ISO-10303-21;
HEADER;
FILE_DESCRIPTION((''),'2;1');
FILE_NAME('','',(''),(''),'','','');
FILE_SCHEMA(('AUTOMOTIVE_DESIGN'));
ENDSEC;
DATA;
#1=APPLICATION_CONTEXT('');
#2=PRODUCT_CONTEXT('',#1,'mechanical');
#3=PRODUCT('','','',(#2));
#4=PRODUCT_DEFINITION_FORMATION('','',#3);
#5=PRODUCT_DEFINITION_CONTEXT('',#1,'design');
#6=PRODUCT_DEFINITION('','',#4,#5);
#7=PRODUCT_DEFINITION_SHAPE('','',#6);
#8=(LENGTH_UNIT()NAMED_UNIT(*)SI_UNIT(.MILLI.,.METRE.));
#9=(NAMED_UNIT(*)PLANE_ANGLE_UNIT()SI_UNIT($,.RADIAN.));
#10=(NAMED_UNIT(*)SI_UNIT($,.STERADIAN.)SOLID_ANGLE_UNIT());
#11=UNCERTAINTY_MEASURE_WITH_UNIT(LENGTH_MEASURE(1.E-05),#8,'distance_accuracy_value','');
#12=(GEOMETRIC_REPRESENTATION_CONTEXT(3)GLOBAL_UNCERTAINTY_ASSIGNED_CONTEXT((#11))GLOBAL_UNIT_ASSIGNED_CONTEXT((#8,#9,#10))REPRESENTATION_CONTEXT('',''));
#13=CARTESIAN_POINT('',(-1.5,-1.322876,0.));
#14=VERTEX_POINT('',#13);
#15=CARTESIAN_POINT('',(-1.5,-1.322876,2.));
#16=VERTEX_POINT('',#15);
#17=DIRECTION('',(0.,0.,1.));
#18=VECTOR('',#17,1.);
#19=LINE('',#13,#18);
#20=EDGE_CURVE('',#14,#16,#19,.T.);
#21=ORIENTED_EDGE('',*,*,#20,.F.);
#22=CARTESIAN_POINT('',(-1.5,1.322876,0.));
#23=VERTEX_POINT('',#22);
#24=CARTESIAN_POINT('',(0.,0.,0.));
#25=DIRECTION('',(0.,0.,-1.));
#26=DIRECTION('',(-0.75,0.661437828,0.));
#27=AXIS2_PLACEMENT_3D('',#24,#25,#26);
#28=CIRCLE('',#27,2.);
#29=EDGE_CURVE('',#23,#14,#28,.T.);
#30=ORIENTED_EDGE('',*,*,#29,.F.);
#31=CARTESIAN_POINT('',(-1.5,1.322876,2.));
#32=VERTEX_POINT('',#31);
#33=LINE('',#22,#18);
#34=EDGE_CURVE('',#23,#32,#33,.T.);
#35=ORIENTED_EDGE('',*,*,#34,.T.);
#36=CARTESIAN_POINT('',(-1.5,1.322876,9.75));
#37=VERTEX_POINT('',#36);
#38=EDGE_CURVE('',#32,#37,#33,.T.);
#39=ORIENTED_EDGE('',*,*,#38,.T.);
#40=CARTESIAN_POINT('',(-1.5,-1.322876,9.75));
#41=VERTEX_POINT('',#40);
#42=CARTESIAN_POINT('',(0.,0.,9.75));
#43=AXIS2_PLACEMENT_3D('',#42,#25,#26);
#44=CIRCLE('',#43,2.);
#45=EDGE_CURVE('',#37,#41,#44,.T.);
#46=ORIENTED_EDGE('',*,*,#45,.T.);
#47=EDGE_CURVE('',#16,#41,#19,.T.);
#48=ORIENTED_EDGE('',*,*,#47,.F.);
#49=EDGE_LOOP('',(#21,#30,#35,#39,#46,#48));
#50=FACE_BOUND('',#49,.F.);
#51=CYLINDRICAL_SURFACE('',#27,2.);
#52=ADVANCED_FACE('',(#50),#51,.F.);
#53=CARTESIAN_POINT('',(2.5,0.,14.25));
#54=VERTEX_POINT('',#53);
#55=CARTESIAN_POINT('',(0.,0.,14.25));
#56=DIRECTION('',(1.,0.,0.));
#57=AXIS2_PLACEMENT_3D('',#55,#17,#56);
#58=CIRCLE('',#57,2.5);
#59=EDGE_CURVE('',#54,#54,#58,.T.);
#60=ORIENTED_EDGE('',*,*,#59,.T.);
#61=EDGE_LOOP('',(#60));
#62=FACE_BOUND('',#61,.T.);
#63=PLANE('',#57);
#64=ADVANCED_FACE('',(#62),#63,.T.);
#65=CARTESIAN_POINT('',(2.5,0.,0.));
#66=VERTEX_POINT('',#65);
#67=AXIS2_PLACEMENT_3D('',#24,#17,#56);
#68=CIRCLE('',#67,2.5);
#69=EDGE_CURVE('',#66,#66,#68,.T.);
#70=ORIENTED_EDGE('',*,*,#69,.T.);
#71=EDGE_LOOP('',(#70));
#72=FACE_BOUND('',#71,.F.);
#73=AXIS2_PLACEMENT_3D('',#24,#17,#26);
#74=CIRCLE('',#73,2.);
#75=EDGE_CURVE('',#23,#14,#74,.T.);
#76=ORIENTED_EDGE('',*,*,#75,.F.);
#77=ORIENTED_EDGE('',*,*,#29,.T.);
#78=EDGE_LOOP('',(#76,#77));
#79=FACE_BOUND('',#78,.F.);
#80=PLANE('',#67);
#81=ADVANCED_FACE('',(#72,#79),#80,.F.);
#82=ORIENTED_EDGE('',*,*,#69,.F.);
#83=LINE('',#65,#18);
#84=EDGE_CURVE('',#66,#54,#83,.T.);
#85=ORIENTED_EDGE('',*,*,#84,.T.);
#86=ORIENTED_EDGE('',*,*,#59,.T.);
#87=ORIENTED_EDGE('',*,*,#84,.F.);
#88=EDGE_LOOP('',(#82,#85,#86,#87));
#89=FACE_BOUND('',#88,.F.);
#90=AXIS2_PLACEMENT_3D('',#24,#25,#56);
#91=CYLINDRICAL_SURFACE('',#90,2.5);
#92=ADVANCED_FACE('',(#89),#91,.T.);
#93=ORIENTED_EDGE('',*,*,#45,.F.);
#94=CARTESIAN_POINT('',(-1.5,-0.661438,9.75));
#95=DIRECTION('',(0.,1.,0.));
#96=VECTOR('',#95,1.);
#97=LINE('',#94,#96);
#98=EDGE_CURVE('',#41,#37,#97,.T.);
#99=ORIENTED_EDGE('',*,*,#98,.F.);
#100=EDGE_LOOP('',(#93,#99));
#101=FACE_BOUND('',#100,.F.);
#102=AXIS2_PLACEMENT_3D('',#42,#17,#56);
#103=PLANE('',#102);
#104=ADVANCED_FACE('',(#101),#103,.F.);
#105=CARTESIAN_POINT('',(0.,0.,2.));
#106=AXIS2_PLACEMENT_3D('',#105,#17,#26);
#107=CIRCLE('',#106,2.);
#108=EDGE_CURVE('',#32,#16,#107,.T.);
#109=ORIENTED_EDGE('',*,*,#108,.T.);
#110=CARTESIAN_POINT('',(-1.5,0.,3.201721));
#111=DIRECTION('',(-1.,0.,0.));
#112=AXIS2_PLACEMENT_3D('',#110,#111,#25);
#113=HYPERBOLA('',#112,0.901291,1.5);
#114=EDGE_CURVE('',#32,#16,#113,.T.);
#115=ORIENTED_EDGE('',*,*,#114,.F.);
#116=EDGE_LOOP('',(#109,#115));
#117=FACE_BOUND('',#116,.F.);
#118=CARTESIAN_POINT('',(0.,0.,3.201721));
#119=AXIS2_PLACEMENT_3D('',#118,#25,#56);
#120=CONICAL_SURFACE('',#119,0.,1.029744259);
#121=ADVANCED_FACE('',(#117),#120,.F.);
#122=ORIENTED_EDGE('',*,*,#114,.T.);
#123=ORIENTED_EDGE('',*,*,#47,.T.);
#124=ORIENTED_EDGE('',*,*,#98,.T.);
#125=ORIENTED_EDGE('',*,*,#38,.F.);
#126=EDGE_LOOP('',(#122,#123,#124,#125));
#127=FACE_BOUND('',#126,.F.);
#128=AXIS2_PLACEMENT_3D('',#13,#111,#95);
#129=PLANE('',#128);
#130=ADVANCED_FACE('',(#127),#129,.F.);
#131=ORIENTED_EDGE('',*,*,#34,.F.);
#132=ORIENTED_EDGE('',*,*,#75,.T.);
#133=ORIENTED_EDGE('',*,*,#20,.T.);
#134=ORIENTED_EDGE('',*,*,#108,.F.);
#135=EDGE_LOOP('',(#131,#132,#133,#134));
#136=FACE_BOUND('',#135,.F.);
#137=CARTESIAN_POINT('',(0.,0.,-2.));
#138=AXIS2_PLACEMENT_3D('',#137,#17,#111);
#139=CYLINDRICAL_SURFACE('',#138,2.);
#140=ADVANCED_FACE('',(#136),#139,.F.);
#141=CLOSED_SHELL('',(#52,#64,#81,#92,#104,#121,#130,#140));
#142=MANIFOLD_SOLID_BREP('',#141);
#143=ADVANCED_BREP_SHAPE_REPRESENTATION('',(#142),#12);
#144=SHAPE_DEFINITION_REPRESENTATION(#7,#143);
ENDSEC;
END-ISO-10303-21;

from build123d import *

# Parameters (mm, degrees)
F0_R     = 2.5
F1_DEPTH = 14.25
F3_D     = 4
F3_DEPTH = 2
F3_TIP   = 1.2017212381
F4_R     = 2.1505871319
F5_DEPTH = 4.5


with BuildPart() as f1:
    # F0 (on Top) → F1 (new body)
    with BuildSketch(Plane.XY):
        Circle(F0_R)
        with BuildLine():
            ThreePointArc((-1.5, 1.3228756555), (2, 0), (-1.5, -1.3228756555))
            Line((-1.5, -1.3228756555), (-1.5, 1.3228756555))
        make_face(mode=Mode.SUBTRACT)
    extrude(amount=F1_DEPTH)

    # F3
    with Locations(Plane(origin=(0, 0, 0), x_dir=(1, 0, 0), z_dir=(0, 0, -1))):
        with Locations((0, 0)):
            Hole(F3_D / 2, depth=F3_DEPTH)
            with Locations((0, 0, -(F3_DEPTH + F3_TIP / 2))):  # 118° drill point
                Cone(0, F3_D / 2, F3_TIP, mode=Mode.SUBTRACT)

    # F4 (on face) → F5 (join)
    with BuildSketch(Plane.XY.offset(14.25)):
        Circle(F4_R)
        with BuildLine():
            Line((-1.5, -1.3228756555), (-1.5, 1.3228756555))
            ThreePointArc((-1.5, 1.3228756555), (2, 0), (-1.5, -1.3228756555))
        make_face(mode=Mode.SUBTRACT)
        with BuildLine():
            ThreePointArc((-1.5, -1.3228756555), (2, 0), (-1.5, 1.3228756555))
            Line((-1.5, 1.3228756555), (-1.5, -1.3228756555))
        make_face()
    extrude(amount=-F5_DEPTH)


solid = f1.part
